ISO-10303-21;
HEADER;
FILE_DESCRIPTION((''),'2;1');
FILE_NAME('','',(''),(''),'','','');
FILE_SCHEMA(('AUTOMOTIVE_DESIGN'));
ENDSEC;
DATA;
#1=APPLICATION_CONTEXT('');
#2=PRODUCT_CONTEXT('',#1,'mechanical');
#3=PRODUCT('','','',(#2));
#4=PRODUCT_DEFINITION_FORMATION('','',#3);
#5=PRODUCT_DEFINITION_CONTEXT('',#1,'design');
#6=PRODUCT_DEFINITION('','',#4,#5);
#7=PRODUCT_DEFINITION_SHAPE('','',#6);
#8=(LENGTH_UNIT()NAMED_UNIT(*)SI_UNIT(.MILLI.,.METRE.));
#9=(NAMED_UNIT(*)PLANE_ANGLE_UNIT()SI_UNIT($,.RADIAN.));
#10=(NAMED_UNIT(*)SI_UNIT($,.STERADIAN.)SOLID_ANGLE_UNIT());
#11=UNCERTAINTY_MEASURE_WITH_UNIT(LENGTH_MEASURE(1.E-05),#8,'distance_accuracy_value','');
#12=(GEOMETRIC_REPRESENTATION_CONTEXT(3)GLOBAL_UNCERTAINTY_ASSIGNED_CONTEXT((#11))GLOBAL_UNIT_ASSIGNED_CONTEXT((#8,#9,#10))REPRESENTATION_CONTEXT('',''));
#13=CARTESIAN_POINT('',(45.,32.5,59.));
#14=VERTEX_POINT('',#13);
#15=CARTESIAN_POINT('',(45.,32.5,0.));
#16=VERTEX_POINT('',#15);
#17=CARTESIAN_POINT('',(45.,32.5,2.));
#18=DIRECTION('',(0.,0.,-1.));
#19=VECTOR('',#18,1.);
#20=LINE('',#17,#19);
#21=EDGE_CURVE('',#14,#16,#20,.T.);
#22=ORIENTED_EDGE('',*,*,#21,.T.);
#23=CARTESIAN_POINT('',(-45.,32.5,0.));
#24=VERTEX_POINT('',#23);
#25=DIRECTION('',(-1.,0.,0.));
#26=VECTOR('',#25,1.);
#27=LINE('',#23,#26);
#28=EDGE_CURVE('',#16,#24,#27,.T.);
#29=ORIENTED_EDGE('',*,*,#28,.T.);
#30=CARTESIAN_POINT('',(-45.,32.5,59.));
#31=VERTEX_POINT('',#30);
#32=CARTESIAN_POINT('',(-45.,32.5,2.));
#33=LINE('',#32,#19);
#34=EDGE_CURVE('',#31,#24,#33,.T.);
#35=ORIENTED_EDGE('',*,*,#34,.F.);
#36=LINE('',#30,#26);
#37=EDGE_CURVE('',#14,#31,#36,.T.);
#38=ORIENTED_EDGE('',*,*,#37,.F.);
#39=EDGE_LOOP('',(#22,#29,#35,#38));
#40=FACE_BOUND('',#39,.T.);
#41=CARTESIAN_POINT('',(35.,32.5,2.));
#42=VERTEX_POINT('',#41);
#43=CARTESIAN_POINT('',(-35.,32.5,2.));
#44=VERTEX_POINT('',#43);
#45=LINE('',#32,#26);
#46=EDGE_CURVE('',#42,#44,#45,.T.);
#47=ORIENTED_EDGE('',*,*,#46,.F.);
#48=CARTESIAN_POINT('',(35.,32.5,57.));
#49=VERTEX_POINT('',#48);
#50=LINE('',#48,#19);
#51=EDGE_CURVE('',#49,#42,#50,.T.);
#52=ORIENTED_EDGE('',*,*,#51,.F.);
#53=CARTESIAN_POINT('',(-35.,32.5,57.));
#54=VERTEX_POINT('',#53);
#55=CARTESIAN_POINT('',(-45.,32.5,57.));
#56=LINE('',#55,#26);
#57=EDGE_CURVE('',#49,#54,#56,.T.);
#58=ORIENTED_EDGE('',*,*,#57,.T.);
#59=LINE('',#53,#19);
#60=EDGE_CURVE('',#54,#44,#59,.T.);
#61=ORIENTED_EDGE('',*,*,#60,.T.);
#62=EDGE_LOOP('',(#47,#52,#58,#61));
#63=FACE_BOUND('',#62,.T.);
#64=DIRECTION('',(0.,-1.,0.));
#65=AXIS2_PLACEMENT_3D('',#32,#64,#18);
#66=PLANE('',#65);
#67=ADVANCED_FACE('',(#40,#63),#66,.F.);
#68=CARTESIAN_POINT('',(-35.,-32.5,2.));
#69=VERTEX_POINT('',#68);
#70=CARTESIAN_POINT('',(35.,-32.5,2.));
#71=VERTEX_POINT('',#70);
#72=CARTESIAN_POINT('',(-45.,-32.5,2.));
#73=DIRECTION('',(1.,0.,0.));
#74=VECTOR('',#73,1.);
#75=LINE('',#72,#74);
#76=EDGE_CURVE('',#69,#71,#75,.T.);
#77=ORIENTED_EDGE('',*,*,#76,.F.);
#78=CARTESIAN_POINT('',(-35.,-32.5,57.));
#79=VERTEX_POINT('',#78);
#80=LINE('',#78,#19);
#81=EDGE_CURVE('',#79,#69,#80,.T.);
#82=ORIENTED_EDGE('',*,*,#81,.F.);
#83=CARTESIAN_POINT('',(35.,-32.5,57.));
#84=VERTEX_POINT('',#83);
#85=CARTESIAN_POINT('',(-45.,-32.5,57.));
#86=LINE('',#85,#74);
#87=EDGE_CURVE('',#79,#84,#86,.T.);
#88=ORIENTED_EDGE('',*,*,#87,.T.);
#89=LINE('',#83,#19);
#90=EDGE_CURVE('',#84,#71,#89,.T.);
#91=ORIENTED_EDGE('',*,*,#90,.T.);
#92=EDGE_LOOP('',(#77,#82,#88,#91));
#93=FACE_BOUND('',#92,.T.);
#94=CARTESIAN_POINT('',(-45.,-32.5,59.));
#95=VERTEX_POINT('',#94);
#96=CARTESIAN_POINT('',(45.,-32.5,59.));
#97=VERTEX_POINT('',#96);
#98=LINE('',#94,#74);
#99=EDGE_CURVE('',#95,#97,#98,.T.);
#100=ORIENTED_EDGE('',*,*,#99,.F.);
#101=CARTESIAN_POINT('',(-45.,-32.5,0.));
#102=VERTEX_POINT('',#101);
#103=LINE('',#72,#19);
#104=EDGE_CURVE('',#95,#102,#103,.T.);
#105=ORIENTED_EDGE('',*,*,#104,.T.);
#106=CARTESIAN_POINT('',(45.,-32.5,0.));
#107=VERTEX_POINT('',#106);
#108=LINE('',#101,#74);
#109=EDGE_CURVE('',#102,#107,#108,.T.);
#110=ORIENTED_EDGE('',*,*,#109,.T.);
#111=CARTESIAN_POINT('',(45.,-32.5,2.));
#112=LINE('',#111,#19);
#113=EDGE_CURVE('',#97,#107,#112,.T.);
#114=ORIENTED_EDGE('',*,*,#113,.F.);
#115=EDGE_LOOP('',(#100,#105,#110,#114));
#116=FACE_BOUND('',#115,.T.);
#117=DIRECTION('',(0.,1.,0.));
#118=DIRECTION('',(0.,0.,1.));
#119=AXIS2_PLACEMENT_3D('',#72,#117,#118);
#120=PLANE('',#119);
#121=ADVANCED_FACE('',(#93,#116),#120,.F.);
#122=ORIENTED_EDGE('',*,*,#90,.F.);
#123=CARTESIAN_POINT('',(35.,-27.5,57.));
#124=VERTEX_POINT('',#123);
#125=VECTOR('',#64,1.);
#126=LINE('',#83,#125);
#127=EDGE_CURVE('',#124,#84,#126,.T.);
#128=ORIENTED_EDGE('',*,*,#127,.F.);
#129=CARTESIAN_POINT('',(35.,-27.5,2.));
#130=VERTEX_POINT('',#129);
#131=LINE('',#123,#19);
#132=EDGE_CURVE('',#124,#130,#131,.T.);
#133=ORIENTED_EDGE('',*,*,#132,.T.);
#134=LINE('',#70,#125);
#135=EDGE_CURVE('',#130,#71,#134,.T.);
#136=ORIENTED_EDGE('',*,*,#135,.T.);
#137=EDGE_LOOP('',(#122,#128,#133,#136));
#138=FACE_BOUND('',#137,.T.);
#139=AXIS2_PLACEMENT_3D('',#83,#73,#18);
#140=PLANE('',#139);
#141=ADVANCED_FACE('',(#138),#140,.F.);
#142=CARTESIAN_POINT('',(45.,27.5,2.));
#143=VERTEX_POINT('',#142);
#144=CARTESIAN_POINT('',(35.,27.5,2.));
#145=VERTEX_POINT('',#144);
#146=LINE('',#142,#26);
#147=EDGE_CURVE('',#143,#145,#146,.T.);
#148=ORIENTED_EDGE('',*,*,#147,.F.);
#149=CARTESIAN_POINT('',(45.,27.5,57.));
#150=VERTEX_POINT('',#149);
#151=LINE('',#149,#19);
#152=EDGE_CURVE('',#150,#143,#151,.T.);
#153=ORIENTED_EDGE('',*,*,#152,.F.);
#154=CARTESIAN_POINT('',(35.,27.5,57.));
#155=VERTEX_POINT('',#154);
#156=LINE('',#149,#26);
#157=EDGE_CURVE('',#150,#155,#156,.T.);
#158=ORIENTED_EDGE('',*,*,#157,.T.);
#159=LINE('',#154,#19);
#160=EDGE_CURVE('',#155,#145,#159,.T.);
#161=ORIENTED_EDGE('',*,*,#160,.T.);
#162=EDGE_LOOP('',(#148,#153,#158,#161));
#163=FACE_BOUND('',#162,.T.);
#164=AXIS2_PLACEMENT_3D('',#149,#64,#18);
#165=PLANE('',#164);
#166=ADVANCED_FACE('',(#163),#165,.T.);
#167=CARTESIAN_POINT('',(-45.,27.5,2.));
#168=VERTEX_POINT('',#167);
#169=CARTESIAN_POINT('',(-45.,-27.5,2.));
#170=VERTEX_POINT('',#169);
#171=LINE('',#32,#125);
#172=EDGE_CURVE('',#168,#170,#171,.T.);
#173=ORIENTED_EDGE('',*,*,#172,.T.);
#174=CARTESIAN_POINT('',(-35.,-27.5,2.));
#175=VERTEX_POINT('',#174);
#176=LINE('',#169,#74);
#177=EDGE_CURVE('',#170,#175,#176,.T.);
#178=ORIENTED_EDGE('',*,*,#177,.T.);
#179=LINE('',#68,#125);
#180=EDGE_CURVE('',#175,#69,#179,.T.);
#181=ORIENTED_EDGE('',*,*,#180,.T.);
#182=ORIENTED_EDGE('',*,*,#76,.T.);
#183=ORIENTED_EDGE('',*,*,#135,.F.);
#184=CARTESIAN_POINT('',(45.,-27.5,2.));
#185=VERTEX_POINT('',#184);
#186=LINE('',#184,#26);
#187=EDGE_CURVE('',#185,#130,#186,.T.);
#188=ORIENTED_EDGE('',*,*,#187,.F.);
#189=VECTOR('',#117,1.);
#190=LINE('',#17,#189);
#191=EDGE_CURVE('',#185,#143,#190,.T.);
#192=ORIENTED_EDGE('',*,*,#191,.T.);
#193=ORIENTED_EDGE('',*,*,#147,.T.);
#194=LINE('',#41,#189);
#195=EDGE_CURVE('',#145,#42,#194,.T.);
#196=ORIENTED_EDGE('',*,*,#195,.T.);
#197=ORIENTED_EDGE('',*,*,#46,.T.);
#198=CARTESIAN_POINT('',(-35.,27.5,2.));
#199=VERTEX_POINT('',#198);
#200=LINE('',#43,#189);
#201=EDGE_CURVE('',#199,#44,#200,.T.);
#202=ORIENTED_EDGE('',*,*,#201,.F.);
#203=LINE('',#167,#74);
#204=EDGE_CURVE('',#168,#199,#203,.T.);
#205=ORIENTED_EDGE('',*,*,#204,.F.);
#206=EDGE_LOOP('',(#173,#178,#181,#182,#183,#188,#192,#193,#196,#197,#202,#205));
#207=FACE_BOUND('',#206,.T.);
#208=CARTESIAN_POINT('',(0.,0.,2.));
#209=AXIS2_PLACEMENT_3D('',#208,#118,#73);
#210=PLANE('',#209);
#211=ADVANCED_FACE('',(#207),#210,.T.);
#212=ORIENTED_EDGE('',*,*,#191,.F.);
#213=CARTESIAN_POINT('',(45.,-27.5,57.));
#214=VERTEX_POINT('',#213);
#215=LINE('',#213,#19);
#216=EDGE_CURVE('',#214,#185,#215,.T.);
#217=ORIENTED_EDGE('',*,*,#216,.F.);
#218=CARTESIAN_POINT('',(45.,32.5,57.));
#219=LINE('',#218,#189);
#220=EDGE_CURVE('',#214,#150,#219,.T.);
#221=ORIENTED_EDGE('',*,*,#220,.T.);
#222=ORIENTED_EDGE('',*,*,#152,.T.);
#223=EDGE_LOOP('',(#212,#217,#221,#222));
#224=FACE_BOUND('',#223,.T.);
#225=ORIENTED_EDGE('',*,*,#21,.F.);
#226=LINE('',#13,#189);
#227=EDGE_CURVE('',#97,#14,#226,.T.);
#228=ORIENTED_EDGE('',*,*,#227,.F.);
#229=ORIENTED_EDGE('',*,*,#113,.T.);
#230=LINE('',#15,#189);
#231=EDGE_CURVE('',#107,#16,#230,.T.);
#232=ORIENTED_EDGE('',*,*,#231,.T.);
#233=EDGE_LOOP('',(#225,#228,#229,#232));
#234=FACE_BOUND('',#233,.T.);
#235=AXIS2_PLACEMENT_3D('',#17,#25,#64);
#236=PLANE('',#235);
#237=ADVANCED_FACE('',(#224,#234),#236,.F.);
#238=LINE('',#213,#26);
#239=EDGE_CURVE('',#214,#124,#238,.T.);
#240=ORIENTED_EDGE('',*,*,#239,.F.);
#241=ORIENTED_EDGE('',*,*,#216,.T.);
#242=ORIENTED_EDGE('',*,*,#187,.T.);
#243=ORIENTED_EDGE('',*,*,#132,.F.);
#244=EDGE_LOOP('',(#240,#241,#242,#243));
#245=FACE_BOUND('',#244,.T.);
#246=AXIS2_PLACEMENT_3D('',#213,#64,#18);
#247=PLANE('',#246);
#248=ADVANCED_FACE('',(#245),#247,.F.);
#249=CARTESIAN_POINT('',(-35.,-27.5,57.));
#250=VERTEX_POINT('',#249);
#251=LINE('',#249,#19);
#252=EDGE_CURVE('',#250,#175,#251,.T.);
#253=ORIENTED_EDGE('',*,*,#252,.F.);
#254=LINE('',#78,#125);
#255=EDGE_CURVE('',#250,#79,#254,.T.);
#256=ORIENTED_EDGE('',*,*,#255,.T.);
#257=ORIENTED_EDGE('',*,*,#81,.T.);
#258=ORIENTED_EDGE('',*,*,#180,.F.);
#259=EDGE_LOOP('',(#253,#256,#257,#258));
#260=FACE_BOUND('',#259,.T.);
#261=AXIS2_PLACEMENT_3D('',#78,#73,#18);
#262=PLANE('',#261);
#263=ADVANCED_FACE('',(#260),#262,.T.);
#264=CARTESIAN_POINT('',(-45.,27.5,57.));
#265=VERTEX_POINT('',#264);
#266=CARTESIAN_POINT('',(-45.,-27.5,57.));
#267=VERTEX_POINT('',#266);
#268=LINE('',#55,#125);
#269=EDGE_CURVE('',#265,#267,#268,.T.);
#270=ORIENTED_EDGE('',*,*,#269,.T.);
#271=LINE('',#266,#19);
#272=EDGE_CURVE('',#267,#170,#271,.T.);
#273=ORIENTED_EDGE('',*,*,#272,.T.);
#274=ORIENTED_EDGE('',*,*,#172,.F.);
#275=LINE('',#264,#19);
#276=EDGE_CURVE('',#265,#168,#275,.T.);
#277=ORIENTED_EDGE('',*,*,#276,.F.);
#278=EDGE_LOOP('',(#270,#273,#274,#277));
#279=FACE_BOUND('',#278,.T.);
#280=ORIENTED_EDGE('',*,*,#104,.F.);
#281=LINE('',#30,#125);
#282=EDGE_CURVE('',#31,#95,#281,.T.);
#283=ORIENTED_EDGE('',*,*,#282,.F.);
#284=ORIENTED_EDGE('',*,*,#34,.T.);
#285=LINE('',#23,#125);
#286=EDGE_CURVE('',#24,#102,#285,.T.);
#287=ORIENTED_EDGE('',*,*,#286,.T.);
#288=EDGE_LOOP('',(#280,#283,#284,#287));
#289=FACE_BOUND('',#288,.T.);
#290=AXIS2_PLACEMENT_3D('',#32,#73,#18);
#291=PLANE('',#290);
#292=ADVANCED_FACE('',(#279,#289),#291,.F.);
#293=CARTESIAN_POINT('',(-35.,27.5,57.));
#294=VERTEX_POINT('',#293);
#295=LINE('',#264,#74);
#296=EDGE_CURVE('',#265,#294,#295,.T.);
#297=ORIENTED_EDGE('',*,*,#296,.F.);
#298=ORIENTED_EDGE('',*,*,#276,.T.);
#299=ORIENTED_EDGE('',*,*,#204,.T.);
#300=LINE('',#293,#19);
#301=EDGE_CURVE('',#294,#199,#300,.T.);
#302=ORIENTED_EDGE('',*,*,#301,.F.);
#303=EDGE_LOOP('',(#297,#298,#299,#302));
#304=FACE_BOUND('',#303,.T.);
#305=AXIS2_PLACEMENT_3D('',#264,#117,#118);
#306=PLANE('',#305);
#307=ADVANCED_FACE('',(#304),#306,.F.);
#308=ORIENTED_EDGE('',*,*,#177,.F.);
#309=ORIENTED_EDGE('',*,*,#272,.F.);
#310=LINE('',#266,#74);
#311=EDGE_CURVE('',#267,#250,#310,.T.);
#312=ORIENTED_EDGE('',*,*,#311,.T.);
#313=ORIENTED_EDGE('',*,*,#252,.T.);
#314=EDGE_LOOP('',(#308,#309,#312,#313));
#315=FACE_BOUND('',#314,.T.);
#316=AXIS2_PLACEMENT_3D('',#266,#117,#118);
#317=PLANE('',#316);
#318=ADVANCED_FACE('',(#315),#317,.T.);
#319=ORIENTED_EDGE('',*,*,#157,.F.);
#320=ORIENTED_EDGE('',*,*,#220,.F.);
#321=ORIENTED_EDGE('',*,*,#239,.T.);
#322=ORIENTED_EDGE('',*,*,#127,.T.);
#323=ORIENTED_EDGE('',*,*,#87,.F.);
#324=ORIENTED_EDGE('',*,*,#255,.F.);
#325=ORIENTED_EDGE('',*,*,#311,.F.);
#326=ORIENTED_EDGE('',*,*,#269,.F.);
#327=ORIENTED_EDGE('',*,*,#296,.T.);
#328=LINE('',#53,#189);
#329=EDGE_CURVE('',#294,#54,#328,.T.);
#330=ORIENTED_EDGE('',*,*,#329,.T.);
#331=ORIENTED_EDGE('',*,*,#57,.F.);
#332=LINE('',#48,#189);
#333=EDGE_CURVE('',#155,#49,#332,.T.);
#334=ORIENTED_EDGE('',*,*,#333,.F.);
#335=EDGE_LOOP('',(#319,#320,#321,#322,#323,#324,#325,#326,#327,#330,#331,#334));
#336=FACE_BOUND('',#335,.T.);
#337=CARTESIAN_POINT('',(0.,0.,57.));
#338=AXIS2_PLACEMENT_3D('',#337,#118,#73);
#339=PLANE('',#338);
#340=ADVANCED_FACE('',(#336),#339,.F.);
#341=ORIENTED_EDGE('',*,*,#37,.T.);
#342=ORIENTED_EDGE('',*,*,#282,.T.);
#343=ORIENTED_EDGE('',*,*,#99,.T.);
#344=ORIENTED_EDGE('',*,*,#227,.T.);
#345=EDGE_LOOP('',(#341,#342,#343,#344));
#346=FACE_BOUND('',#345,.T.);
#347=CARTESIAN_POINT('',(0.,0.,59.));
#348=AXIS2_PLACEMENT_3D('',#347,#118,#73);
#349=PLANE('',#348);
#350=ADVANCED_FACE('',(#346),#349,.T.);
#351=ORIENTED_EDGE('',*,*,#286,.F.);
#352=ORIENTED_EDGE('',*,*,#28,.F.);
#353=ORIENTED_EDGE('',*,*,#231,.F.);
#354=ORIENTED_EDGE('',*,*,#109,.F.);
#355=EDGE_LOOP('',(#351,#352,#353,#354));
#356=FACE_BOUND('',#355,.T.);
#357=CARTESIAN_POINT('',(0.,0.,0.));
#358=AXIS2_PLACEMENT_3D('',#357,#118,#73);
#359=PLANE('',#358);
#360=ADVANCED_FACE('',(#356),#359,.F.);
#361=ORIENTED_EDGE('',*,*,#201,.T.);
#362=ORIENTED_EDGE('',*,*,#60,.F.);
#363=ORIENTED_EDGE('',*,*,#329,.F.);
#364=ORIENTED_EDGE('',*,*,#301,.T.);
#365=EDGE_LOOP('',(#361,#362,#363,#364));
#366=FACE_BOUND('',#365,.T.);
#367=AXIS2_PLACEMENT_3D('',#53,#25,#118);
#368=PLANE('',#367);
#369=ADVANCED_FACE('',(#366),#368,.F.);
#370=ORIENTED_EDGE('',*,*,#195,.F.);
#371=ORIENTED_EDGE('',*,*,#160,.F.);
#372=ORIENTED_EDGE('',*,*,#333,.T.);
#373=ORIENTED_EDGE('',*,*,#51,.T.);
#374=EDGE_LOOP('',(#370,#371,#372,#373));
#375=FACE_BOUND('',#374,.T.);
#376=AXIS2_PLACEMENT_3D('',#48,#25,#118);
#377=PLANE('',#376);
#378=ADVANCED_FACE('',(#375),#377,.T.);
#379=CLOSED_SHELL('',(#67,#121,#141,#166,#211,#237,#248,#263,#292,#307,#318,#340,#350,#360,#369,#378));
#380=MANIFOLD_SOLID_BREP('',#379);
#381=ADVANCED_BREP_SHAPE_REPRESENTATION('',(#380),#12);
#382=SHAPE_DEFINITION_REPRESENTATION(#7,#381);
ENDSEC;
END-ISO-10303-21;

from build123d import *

# Parameters (mm, degrees)
SKETCH1_W                                  = 90
SKETCH1_H                                  = 65
BOSS_EXTRUDE1_DEPTH                        = 2
SKETCH2_W                                  = 10
SKETCH2_H                                  = 5
BOSS_EXTRUDE2_DEPTH                        = 55
MIRROR1_AT_THE_SECOND_PLANE_COPY_1_SKETC_W = 10
MIRROR1_AT_THE_SECOND_PLANE_COPY_1_SKETC_H = 5
MIRROR1_AT_THE_SECOND_PLANE_COPY_1_DEPTH   = 55
SKETCH3_W                                  = 90
SKETCH3_H                                  = 65
BOSS_EXTRUDE3_DEPTH                        = 2


with BuildPart() as part:
    # Sketch1 → Boss-Extrude1 (new body)
    with BuildSketch(Plane.XY):
        Rectangle(SKETCH1_W, SKETCH1_H)
    extrude(amount=BOSS_EXTRUDE1_DEPTH)

    # Sketch2 → Boss-Extrude2 (add)
    with BuildSketch(Plane.XY.offset(2)):
        with Locations((-40, 30)):
            Rectangle(SKETCH2_W, SKETCH2_H)
    boss_extrude2 = extrude(amount=BOSS_EXTRUDE2_DEPTH)

    # Mirror1: Boss-Extrude2 across plane
    add(boss_extrude2.mirror(Plane(origin=(0, 0, 0), x_dir=(0, 0, 1), z_dir=(1, 0, 0))))

    # Mirror1 at the second plane: Boss-Extrude2 across plane
    add(boss_extrude2.mirror(Plane.ZX))

    # Mirror1 at the second plane copy 1 sketc → Mirror1 at the second plane copy 1 (add)
    with BuildSketch(Plane(origin=(0, 0, 2), x_dir=(-1, 0, 0), z_dir=(0, 0, 1))):
        with Locations((-40, 30)):
            Rectangle(MIRROR1_AT_THE_SECOND_PLANE_COPY_1_SKETC_W, MIRROR1_AT_THE_SECOND_PLANE_COPY_1_SKETC_H)
    extrude(amount=MIRROR1_AT_THE_SECOND_PLANE_COPY_1_DEPTH)

    # Sketch3 → Boss-Extrude3 (add)
    with BuildSketch(Plane.XY.offset(57)):
        Rectangle(SKETCH3_W, SKETCH3_H)
    extrude(amount=BOSS_EXTRUDE3_DEPTH)


solid = part.part
